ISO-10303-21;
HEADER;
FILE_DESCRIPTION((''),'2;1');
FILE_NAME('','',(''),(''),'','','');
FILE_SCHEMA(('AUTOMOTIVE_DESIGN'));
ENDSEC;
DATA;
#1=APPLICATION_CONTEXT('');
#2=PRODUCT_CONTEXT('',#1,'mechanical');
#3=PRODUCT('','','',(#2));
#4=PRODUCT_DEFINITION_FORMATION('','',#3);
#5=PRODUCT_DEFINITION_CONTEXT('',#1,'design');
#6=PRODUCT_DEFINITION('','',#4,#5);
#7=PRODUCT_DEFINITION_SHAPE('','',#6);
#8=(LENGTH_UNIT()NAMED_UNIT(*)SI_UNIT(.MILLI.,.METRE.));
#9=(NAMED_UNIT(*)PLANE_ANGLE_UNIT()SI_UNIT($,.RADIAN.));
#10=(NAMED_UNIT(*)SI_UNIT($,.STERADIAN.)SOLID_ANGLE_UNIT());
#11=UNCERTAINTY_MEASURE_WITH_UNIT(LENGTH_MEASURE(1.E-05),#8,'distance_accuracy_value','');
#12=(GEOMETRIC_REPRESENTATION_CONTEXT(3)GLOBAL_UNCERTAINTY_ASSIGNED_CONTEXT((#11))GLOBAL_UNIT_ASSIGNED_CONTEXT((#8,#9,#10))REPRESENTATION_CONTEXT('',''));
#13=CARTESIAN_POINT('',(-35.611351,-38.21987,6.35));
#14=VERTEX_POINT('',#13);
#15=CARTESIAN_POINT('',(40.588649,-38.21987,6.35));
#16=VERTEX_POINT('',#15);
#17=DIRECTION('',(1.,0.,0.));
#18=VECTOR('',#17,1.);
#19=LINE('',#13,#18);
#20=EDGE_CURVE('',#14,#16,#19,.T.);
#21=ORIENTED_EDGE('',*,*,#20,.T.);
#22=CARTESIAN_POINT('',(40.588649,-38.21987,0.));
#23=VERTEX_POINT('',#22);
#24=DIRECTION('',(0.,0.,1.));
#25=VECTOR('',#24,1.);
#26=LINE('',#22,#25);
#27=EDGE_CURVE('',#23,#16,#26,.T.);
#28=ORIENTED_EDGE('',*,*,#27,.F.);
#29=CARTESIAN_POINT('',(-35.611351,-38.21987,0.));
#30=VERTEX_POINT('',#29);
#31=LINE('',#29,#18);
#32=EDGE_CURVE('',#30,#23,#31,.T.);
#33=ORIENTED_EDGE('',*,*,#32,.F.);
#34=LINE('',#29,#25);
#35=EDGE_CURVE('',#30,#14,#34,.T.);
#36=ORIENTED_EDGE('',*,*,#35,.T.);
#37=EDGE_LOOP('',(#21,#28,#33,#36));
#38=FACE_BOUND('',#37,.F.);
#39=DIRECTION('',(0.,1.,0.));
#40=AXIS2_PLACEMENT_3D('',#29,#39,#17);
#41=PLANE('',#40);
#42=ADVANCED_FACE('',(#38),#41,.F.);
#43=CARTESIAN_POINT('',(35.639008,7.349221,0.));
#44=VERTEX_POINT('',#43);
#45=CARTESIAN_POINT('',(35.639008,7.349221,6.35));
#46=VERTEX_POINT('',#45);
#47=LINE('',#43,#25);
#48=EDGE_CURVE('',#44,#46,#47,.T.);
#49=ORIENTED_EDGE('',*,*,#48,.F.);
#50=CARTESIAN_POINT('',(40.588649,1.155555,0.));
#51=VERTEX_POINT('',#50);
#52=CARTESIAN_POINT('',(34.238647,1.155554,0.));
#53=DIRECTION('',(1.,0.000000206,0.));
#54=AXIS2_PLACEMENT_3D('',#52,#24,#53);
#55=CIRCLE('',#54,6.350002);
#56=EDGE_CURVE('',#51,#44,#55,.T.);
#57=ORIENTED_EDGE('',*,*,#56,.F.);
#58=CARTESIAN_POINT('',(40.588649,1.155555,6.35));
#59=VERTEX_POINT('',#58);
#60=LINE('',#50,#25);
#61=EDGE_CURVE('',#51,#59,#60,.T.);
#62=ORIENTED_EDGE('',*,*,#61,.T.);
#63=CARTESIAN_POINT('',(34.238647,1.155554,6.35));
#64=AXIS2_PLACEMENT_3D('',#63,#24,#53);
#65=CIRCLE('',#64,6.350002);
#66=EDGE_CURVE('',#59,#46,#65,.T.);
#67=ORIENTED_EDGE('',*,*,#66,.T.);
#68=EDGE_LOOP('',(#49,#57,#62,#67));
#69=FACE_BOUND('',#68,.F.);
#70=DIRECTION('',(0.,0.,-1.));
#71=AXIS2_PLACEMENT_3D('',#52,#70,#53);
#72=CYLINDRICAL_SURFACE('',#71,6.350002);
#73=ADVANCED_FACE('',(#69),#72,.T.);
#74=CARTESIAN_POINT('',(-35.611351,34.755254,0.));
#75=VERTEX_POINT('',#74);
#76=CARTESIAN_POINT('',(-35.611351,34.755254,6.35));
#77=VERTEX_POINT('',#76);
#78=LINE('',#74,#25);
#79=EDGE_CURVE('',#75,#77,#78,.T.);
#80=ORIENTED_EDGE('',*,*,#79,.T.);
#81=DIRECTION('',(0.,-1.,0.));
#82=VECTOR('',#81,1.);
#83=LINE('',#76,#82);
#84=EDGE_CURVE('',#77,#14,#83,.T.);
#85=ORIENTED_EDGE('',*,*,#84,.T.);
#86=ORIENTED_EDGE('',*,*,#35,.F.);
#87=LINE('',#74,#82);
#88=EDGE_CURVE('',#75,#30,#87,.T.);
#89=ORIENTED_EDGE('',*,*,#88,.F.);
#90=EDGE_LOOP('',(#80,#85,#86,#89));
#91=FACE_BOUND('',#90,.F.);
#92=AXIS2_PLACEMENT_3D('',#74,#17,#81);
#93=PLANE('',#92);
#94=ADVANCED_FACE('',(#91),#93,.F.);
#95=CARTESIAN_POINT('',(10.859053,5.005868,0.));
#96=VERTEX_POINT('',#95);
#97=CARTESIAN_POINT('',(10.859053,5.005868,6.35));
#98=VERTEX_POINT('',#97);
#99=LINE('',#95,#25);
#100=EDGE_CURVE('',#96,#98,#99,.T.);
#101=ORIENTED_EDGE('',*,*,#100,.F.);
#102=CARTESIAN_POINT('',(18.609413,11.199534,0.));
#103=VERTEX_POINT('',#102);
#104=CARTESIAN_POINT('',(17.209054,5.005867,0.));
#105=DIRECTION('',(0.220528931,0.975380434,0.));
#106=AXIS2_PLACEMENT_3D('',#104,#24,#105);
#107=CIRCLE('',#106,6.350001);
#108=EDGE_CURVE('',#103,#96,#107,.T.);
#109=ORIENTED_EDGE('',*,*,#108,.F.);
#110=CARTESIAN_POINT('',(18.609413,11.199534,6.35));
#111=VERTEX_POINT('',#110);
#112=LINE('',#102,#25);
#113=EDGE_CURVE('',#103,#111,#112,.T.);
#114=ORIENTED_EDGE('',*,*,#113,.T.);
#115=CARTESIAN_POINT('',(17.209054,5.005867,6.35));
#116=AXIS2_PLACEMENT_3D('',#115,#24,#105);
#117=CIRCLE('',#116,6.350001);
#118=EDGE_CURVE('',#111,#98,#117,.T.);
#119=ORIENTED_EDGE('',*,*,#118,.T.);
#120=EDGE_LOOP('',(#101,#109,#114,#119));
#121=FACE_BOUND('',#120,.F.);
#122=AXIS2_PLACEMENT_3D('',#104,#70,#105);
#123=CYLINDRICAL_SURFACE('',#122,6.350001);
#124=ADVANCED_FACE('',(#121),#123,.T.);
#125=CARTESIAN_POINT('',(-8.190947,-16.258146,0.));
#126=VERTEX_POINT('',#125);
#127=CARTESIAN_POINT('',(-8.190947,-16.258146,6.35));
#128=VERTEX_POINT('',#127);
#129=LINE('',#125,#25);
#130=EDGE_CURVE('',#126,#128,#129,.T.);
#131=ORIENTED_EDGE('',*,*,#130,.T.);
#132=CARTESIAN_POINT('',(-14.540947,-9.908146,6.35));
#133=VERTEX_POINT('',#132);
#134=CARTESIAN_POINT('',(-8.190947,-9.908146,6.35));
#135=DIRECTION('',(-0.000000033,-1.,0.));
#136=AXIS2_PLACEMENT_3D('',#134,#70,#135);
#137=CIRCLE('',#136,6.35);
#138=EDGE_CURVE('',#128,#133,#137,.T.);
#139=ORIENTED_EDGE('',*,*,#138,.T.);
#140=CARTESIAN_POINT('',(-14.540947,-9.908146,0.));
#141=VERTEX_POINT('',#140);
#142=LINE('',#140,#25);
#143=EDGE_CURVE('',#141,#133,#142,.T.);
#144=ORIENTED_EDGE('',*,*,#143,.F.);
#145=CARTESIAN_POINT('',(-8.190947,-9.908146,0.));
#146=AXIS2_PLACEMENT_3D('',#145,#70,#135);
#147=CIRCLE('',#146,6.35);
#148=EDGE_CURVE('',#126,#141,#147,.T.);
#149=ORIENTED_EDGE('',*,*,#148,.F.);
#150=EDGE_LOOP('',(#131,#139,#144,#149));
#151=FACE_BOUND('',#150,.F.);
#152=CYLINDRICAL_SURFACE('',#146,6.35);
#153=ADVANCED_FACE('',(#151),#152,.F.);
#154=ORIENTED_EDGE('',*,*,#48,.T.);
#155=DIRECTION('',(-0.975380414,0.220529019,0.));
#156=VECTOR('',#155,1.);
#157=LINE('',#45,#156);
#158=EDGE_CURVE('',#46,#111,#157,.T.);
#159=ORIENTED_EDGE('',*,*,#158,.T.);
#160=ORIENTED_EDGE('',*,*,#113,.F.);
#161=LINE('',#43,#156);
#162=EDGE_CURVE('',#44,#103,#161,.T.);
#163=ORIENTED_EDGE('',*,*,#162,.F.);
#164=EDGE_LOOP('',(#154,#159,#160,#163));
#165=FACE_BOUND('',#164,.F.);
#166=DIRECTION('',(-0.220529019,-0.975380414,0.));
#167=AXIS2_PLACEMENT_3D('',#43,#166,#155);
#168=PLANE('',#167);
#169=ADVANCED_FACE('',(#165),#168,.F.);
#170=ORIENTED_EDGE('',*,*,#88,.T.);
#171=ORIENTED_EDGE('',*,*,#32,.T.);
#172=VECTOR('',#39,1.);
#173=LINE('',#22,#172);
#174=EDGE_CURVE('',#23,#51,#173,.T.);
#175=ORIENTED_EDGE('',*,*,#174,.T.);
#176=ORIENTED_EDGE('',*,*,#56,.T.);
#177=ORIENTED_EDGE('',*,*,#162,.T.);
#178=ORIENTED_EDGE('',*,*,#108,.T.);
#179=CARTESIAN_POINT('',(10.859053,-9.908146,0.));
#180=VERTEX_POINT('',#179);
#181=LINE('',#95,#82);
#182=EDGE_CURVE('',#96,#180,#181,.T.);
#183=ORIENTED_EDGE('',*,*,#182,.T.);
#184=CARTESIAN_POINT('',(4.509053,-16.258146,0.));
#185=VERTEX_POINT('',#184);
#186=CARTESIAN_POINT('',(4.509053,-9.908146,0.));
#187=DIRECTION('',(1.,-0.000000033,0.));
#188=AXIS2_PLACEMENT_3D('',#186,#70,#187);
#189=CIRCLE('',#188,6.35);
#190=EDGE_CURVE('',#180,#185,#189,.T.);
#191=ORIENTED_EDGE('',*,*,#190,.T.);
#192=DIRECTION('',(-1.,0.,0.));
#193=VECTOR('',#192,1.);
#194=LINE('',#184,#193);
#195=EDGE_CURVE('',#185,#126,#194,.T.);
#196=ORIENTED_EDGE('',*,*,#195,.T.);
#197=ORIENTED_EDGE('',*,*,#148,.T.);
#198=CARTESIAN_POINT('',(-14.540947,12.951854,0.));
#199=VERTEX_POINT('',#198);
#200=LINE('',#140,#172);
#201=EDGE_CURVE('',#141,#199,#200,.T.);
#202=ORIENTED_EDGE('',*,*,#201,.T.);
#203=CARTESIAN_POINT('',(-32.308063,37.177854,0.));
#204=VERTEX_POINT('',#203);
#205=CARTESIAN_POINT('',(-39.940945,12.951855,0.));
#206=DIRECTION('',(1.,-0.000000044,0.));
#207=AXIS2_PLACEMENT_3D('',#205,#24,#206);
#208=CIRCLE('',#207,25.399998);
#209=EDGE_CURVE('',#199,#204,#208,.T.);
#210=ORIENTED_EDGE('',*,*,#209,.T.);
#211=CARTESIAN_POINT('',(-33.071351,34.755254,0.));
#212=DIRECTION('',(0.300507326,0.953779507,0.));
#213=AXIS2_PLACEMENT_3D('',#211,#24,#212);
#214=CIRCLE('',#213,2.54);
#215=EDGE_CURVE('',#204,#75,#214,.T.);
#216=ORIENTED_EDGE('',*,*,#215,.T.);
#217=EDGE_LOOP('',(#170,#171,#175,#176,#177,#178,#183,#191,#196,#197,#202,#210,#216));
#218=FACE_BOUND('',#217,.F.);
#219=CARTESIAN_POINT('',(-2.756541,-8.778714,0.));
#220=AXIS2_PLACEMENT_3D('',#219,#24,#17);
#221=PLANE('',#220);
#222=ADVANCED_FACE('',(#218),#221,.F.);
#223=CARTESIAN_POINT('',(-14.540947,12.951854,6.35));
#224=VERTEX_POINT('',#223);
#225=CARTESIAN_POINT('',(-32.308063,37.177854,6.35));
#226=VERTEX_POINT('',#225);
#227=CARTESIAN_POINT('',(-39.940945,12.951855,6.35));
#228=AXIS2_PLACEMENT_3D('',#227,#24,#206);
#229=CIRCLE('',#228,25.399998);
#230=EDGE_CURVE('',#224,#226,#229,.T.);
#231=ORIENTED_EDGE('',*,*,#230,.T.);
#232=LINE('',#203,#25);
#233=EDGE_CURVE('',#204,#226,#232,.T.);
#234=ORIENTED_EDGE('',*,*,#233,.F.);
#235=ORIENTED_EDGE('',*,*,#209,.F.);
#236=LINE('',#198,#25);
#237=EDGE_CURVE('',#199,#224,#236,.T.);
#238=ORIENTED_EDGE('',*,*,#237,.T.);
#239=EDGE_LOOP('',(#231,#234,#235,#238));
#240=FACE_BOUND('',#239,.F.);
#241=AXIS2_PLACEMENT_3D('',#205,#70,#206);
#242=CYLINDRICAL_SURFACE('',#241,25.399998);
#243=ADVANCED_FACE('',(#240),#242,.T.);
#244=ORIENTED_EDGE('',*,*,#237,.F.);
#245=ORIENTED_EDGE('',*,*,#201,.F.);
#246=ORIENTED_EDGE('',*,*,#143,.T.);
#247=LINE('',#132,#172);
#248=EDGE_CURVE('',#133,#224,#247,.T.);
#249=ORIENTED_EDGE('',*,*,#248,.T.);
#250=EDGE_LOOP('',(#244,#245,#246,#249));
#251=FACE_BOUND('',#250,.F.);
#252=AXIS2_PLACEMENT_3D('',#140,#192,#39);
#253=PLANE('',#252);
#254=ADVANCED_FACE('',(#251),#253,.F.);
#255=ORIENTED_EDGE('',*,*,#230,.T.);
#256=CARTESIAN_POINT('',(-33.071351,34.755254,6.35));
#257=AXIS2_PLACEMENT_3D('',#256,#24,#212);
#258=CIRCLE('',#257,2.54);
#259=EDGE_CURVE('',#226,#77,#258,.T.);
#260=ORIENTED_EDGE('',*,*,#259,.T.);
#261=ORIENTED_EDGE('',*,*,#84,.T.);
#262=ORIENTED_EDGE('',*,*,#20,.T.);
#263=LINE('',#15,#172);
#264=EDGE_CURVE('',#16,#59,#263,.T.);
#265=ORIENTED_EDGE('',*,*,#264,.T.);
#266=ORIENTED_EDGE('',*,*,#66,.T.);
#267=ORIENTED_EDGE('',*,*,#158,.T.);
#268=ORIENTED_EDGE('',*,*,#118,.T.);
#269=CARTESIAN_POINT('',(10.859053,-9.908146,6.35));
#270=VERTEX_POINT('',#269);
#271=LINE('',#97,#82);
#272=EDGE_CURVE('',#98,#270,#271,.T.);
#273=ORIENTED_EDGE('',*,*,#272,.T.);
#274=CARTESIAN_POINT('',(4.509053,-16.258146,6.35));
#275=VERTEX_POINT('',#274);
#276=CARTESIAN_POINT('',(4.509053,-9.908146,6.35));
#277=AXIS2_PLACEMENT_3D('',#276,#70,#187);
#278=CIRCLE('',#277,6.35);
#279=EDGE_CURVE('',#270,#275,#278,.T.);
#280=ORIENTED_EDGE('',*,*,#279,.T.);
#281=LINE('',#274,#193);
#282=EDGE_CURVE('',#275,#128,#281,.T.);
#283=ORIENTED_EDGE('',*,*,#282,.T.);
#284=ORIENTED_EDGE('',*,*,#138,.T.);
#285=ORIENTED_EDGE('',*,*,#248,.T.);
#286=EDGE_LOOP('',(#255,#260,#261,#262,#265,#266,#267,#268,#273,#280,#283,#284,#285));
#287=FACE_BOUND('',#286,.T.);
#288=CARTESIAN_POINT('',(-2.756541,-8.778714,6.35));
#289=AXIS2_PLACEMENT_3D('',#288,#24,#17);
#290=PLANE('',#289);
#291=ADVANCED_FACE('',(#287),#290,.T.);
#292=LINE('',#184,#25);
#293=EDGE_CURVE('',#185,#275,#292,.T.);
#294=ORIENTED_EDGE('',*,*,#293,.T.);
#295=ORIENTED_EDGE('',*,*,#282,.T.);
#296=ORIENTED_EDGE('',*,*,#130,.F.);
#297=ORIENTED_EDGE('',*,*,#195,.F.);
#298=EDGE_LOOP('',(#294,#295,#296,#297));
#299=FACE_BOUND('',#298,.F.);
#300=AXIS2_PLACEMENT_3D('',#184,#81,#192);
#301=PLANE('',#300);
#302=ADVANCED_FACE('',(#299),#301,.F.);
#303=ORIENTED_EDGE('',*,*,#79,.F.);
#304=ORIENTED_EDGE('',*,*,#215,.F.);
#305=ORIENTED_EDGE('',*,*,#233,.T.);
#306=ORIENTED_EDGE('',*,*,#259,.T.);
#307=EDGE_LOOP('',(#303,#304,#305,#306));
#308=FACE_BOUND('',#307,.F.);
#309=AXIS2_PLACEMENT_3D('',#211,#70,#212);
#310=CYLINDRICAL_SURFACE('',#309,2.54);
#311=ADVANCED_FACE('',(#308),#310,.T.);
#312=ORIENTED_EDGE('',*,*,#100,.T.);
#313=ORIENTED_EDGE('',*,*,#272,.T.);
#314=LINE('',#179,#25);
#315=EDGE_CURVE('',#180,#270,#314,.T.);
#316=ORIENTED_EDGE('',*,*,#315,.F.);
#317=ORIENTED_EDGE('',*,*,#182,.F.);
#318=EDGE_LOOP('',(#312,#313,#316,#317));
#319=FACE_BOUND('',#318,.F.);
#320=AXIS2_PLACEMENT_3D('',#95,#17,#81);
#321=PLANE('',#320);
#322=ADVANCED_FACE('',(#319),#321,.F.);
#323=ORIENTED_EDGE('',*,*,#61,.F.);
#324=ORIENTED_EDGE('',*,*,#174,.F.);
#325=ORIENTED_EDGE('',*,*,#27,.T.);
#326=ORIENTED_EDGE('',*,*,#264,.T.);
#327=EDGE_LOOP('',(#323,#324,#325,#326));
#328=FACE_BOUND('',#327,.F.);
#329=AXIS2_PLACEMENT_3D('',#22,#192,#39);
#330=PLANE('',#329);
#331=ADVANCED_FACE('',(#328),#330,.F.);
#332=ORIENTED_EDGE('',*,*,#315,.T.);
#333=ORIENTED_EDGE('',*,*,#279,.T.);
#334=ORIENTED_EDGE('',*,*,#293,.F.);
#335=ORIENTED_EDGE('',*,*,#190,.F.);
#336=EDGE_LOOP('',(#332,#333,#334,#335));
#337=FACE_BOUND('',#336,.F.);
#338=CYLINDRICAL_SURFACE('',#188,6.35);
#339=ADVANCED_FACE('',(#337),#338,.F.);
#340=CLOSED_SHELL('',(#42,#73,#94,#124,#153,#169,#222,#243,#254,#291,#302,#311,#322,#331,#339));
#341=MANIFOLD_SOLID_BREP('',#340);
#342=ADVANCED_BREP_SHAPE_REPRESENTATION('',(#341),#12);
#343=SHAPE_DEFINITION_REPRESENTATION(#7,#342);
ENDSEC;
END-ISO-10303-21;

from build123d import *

# Parameters (mm, degrees)
F1_DEPTH = 6.35


with BuildPart() as f1:
    # F0 (on Top) → F1 (new body)
    with BuildSketch(Plane.XY):
        with BuildLine():
            Line((-35.611351, -38.21987), (40.588649, -38.21987))
            Line((40.588649, -38.21987), (40.588649, 1.155555))
            ThreePointArc((40.588649, 1.155555), (39.199232, 5.119784), (35.639008, 7.349221))
            Line((35.639008, 7.349221), (18.609413, 11.199534))
            ThreePointArc((18.609413, 11.199534), (13.244825, 9.966452), (10.859053, 5.005868))
            Line((10.859053, 5.005868), (10.859053, -9.908146))
            ThreePointArc((10.859053, -9.908146), (8.999181, -14.398274), (4.509053, -16.258146))
            Line((4.509053, -16.258146), (-8.190947, -16.258146))
            ThreePointArc((-8.190947, -16.258146), (-12.681075, -14.398274), (-14.540947, -9.908146))
            Line((-14.540947, -9.908146), (-14.540947, 12.951854))
            ThreePointArc((-14.540947, 12.951854), (-19.458817, 27.973251), (-32.308063, 37.177854))
            ThreePointArc((-32.308063, 37.177854), (-34.573491, 36.803467), (-35.611351, 34.755254))
            Line((-35.611351, 34.755254), (-35.611351, -38.21987))
        make_face()
    extrude(amount=F1_DEPTH)


solid = f1.part
